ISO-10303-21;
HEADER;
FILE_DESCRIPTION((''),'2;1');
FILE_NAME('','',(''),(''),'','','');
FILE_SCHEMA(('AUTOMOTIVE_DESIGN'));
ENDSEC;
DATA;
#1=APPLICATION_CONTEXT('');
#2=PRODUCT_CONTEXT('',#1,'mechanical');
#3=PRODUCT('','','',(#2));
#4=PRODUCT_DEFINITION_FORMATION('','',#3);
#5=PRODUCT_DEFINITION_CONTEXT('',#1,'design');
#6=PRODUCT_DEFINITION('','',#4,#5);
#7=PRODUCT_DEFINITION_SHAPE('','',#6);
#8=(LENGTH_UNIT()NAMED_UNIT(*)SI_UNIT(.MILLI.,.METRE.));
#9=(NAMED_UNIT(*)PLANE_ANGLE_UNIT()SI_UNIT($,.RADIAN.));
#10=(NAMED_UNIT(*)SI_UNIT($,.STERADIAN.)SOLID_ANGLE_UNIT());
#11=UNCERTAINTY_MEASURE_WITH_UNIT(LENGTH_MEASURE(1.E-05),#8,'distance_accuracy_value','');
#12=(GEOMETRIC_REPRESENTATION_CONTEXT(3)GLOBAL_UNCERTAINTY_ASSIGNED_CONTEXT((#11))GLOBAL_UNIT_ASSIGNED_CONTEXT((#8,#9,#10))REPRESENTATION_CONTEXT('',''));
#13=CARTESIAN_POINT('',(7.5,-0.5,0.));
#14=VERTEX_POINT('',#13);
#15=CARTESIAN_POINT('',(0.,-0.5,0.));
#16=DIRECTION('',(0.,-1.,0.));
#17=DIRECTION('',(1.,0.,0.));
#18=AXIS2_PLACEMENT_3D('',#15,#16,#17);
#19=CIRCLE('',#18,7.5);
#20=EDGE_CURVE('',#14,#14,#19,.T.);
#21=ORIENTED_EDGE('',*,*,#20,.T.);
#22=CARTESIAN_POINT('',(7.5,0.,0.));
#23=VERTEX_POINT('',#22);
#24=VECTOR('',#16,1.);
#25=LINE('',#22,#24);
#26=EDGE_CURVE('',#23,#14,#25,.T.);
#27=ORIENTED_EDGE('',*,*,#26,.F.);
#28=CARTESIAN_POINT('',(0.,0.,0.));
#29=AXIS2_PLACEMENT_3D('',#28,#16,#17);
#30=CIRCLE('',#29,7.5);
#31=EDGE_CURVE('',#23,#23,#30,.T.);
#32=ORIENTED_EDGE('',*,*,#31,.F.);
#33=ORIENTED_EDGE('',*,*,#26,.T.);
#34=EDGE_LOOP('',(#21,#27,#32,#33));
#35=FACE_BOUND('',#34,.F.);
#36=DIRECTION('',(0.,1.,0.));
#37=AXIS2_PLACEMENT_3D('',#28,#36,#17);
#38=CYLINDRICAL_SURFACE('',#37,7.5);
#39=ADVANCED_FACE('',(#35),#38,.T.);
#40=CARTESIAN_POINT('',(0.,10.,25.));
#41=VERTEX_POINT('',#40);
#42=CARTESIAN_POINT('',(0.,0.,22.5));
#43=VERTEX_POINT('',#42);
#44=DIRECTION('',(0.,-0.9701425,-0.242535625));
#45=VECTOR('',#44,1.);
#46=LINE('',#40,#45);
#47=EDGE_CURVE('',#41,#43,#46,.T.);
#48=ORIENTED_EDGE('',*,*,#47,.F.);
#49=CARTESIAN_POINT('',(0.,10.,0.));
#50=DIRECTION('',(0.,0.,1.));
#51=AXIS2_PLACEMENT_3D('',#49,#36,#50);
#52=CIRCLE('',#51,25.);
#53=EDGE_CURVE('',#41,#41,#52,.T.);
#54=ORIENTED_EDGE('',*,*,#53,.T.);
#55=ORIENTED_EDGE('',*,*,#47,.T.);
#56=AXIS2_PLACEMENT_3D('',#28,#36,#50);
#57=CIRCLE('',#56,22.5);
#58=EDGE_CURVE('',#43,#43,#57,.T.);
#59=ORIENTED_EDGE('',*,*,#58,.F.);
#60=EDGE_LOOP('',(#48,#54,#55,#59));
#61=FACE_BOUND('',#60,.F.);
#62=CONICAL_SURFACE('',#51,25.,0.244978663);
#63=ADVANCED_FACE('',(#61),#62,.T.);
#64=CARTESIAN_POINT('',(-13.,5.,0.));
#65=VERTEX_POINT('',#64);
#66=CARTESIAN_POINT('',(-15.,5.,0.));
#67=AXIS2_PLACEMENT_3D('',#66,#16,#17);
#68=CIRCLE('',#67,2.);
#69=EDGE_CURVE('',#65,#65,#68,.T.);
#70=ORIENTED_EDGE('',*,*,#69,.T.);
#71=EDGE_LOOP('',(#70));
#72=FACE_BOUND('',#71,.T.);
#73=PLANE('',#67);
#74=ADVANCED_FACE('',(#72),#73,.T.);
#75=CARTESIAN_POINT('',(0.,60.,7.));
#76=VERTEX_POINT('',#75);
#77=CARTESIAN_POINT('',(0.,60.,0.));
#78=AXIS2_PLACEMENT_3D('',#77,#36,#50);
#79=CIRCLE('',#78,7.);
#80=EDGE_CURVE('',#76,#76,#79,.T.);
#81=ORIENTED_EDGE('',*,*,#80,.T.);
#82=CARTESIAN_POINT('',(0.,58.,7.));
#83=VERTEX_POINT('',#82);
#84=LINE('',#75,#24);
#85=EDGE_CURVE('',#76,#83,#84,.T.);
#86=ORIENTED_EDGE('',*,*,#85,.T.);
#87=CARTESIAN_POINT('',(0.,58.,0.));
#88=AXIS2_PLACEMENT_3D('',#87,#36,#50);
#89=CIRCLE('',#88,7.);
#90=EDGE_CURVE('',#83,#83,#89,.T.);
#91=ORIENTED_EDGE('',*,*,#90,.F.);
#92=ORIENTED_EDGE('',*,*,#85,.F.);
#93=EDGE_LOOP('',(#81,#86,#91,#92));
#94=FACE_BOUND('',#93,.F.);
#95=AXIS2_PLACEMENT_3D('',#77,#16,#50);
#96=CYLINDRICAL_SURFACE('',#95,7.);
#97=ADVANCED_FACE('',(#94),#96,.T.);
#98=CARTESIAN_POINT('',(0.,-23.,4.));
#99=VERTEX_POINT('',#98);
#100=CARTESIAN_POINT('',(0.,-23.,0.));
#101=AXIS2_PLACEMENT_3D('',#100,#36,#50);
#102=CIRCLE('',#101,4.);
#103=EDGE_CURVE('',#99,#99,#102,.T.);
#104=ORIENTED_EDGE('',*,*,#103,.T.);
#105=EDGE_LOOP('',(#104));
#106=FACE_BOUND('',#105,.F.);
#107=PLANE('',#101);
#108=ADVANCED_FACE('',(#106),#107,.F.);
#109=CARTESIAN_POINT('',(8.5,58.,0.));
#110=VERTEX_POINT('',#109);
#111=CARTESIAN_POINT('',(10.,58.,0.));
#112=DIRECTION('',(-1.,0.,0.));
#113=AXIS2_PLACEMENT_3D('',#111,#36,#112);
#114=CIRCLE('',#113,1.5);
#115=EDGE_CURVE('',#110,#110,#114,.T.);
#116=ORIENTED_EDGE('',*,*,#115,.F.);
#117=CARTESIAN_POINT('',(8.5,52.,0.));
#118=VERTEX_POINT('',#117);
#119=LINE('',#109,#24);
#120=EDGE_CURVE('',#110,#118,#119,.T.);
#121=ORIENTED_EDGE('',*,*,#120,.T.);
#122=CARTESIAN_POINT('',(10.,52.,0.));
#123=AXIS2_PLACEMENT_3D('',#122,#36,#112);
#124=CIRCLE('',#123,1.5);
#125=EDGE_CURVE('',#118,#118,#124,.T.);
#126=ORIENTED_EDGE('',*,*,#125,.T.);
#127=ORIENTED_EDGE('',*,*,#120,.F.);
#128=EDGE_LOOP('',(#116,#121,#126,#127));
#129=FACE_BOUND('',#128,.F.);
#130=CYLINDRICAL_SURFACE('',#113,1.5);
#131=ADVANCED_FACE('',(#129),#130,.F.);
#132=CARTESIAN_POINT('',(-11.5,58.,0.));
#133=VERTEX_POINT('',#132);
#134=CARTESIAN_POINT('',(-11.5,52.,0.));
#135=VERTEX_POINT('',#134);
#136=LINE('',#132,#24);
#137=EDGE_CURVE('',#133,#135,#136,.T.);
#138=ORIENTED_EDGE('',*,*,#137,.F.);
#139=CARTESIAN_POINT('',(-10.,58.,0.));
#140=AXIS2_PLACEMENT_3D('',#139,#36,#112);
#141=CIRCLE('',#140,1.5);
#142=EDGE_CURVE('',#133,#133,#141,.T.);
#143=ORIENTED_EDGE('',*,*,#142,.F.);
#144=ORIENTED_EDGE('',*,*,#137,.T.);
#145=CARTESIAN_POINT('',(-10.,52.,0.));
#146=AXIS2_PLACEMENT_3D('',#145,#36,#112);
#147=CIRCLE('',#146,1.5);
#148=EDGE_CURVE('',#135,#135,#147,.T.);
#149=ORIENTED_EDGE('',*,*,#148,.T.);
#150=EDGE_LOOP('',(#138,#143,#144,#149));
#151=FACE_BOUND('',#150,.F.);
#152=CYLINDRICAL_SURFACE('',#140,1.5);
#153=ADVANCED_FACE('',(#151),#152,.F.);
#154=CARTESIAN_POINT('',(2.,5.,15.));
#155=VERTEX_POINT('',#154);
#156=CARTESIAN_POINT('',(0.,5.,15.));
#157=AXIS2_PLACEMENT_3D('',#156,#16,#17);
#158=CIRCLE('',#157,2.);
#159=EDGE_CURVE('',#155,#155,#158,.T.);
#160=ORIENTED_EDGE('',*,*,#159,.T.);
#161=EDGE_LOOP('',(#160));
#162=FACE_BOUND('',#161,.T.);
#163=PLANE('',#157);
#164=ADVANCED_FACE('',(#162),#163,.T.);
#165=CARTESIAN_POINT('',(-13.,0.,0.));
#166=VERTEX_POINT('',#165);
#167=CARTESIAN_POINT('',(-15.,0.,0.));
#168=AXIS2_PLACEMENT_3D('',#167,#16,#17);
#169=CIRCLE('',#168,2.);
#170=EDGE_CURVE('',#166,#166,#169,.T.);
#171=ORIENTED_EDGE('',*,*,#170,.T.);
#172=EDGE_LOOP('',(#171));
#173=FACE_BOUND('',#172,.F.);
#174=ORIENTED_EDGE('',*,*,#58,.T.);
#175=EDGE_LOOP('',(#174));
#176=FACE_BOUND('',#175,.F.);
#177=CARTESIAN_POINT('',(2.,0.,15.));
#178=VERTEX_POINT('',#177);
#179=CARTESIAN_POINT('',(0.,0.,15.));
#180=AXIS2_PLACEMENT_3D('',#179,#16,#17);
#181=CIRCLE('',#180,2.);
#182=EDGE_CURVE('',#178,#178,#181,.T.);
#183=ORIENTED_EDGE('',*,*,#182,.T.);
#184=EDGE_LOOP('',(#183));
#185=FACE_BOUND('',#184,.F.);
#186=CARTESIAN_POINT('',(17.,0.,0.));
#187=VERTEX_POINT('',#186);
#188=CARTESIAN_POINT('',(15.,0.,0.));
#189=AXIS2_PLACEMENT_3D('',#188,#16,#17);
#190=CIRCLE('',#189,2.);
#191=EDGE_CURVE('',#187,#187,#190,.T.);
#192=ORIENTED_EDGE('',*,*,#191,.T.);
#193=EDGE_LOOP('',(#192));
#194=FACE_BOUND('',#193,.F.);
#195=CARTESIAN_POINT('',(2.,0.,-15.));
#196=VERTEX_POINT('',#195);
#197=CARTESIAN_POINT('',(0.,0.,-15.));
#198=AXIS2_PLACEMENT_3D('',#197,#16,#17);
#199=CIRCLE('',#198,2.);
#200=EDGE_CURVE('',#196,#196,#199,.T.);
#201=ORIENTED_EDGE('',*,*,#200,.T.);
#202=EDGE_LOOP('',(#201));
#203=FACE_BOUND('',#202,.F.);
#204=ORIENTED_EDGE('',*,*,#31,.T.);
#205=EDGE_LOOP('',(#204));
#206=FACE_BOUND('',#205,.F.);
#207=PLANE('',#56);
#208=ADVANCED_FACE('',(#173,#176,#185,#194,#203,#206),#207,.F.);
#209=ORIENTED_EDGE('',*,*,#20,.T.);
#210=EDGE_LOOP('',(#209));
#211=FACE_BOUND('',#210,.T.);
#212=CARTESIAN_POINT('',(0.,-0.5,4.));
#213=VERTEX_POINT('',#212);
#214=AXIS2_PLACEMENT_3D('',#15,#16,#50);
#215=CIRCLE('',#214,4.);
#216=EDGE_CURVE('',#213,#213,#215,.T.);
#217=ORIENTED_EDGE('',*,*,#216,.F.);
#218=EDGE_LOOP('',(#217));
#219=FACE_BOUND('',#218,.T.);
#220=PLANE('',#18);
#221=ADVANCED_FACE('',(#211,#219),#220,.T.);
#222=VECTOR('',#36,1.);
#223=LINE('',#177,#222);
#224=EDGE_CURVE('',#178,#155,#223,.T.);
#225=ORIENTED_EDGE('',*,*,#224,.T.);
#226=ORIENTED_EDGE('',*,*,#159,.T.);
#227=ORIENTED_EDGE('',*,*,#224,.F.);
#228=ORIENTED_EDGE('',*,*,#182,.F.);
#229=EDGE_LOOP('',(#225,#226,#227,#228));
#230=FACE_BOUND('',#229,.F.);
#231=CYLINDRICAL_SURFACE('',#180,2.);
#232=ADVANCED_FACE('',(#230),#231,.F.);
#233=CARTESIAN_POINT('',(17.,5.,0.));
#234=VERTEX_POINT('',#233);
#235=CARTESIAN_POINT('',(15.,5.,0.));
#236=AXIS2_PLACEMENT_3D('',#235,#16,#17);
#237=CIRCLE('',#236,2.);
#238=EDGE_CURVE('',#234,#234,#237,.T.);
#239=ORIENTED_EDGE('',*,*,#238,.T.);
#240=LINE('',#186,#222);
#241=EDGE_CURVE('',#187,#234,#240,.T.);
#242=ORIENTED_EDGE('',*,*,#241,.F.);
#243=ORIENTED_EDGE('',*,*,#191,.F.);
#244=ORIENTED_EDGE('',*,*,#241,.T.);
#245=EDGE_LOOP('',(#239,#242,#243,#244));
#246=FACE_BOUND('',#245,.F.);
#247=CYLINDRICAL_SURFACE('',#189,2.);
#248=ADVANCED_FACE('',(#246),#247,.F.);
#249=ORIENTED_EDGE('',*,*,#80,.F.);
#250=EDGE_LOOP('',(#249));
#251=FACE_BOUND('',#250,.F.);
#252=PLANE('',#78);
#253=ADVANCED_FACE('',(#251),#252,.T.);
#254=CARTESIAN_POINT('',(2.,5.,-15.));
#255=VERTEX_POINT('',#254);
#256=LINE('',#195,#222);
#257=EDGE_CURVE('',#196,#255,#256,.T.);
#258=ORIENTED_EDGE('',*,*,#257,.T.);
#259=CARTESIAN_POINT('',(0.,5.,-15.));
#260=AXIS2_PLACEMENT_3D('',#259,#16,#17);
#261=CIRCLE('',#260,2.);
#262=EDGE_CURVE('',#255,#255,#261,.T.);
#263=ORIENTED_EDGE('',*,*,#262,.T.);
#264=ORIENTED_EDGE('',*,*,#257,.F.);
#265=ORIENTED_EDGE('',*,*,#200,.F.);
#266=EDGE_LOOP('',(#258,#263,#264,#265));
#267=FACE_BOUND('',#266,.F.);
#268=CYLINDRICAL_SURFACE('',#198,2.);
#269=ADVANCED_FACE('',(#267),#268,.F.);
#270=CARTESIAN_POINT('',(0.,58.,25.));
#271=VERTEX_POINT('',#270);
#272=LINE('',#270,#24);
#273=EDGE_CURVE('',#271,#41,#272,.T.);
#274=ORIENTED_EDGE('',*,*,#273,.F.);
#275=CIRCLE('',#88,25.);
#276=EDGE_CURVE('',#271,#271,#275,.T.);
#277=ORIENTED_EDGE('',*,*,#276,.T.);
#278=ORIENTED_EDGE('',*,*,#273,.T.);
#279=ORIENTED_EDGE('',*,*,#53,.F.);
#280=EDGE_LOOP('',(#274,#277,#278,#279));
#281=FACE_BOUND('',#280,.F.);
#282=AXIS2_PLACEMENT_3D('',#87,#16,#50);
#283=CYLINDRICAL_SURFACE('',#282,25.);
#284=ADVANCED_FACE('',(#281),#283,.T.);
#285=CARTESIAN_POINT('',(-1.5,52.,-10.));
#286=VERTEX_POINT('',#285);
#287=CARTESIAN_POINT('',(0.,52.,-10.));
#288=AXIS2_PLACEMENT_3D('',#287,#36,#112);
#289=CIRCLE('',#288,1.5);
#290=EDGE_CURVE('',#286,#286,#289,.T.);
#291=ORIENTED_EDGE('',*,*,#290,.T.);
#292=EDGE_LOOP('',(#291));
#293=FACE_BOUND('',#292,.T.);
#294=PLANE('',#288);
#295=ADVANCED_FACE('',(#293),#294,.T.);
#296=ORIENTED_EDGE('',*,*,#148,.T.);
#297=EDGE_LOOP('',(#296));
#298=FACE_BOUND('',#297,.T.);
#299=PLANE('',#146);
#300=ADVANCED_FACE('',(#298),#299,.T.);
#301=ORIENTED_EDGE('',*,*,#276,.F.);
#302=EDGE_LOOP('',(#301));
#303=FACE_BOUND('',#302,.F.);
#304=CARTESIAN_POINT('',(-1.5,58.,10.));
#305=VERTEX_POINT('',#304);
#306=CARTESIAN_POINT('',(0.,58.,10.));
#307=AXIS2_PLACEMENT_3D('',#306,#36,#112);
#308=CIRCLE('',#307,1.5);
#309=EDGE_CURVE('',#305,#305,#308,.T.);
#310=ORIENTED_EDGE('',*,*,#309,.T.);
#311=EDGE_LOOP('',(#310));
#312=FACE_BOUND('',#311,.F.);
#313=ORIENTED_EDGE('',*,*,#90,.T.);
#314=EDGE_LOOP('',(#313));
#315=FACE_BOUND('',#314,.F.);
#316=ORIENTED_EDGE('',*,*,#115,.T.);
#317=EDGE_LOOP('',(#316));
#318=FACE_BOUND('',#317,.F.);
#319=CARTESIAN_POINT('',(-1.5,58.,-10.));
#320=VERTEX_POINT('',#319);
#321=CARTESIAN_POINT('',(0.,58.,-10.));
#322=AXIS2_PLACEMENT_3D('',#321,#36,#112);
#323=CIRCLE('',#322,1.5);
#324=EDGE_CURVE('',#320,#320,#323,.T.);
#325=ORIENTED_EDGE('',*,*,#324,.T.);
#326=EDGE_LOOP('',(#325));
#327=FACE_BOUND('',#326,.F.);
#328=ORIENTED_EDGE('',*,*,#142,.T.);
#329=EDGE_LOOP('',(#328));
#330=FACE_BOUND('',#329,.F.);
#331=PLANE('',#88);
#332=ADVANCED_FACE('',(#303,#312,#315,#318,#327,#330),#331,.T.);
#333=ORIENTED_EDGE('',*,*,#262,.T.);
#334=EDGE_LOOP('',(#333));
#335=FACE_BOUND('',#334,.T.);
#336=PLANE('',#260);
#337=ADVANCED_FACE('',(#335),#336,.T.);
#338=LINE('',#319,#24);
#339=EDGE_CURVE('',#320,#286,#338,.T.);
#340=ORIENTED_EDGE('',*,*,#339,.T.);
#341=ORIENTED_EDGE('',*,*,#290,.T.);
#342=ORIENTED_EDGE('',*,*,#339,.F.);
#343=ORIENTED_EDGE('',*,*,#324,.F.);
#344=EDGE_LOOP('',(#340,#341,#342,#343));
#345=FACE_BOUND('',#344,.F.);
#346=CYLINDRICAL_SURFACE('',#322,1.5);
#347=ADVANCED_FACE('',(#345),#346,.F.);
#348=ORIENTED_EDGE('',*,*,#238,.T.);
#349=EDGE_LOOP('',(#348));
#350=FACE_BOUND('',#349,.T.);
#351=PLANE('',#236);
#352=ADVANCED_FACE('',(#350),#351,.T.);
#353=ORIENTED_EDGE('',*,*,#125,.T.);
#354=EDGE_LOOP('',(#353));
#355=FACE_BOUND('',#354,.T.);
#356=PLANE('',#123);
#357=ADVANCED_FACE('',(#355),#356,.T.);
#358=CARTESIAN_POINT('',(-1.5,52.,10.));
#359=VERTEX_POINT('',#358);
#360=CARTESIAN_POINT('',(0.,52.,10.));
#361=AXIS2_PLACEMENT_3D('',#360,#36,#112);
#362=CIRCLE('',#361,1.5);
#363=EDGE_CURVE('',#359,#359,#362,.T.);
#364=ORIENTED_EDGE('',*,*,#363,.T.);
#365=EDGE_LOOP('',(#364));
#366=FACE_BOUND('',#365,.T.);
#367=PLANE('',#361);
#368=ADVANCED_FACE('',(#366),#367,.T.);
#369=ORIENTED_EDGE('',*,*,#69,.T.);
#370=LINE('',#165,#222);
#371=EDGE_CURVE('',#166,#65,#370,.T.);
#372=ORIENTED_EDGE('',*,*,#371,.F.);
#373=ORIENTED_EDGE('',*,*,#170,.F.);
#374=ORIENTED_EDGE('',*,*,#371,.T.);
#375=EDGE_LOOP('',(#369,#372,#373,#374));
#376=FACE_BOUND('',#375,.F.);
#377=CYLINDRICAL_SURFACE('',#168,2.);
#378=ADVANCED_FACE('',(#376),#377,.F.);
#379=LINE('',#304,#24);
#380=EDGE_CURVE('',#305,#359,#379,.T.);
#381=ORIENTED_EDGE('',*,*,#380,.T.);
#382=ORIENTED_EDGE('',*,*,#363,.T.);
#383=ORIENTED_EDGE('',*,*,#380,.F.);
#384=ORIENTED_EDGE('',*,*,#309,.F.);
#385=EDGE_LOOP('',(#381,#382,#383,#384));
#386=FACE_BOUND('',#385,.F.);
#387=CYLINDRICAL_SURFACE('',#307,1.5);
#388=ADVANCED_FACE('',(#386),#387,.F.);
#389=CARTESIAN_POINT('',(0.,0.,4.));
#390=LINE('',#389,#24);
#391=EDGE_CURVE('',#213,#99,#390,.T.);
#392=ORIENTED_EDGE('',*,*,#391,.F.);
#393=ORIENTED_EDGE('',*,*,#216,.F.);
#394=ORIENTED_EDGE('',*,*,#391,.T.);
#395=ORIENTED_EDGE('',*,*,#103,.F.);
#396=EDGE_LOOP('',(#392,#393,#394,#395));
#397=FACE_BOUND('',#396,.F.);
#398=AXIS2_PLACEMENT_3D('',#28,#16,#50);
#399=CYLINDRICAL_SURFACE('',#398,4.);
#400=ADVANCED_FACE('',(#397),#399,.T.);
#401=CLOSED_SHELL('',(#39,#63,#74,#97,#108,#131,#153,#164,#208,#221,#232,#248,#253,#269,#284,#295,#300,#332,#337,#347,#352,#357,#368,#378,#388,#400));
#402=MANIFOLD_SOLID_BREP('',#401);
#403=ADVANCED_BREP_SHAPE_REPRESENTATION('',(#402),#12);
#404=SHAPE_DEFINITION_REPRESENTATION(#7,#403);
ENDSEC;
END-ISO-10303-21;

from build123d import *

# Parameters (mm, degrees)
F2_R     = 2
F3_DEPTH = 5
F4_R     = 7.5
F5_DEPTH = 0.5
F6_R     = 1.5
F7_DEPTH = 6


with BuildPart() as f1:
    # F0 (on Right) → F1 (revolve)
    with BuildSketch(Plane.YZ):
        Polygon((10, 25), (0, 22.5), (0, 4), (-23, 4), (-23, 0), (60, 0), (60, 7), (58, 7), (58, 25), align=None)
    revolve(axis=Axis((0, 18.5, 0), (0, 1, 0)))

    # F2 (on face) → F3 (cut)
    with BuildSketch(Plane.XZ):
        with Locations((15, 0)):
            Circle(F2_R)
        with Locations((0, 15)):
            Circle(F2_R)
        with Locations((-15, 0)):
            Circle(F2_R)
        with Locations((0, -15)):
            Circle(F2_R)
    extrude(amount=-F3_DEPTH, mode=Mode.SUBTRACT)

    # F4 (on face) → F5 (join)
    with BuildSketch(Plane.XZ):
        Circle(F4_R)
    extrude(amount=F5_DEPTH)

    # F6 (on face) → F7 (cut)
    with BuildSketch(Plane(origin=(0, 58, 0), x_dir=(-1, 0, 0), z_dir=(0, 1, 0))):
        with Locations((10, 0)):
            Circle(F6_R)
        with Locations((0, 10)):
            Circle(F6_R)
        with Locations((-10, 0)):
            Circle(F6_R)
        with Locations((0, -10)):
            Circle(F6_R)
    extrude(amount=-F7_DEPTH, mode=Mode.SUBTRACT)


solid = f1.part
